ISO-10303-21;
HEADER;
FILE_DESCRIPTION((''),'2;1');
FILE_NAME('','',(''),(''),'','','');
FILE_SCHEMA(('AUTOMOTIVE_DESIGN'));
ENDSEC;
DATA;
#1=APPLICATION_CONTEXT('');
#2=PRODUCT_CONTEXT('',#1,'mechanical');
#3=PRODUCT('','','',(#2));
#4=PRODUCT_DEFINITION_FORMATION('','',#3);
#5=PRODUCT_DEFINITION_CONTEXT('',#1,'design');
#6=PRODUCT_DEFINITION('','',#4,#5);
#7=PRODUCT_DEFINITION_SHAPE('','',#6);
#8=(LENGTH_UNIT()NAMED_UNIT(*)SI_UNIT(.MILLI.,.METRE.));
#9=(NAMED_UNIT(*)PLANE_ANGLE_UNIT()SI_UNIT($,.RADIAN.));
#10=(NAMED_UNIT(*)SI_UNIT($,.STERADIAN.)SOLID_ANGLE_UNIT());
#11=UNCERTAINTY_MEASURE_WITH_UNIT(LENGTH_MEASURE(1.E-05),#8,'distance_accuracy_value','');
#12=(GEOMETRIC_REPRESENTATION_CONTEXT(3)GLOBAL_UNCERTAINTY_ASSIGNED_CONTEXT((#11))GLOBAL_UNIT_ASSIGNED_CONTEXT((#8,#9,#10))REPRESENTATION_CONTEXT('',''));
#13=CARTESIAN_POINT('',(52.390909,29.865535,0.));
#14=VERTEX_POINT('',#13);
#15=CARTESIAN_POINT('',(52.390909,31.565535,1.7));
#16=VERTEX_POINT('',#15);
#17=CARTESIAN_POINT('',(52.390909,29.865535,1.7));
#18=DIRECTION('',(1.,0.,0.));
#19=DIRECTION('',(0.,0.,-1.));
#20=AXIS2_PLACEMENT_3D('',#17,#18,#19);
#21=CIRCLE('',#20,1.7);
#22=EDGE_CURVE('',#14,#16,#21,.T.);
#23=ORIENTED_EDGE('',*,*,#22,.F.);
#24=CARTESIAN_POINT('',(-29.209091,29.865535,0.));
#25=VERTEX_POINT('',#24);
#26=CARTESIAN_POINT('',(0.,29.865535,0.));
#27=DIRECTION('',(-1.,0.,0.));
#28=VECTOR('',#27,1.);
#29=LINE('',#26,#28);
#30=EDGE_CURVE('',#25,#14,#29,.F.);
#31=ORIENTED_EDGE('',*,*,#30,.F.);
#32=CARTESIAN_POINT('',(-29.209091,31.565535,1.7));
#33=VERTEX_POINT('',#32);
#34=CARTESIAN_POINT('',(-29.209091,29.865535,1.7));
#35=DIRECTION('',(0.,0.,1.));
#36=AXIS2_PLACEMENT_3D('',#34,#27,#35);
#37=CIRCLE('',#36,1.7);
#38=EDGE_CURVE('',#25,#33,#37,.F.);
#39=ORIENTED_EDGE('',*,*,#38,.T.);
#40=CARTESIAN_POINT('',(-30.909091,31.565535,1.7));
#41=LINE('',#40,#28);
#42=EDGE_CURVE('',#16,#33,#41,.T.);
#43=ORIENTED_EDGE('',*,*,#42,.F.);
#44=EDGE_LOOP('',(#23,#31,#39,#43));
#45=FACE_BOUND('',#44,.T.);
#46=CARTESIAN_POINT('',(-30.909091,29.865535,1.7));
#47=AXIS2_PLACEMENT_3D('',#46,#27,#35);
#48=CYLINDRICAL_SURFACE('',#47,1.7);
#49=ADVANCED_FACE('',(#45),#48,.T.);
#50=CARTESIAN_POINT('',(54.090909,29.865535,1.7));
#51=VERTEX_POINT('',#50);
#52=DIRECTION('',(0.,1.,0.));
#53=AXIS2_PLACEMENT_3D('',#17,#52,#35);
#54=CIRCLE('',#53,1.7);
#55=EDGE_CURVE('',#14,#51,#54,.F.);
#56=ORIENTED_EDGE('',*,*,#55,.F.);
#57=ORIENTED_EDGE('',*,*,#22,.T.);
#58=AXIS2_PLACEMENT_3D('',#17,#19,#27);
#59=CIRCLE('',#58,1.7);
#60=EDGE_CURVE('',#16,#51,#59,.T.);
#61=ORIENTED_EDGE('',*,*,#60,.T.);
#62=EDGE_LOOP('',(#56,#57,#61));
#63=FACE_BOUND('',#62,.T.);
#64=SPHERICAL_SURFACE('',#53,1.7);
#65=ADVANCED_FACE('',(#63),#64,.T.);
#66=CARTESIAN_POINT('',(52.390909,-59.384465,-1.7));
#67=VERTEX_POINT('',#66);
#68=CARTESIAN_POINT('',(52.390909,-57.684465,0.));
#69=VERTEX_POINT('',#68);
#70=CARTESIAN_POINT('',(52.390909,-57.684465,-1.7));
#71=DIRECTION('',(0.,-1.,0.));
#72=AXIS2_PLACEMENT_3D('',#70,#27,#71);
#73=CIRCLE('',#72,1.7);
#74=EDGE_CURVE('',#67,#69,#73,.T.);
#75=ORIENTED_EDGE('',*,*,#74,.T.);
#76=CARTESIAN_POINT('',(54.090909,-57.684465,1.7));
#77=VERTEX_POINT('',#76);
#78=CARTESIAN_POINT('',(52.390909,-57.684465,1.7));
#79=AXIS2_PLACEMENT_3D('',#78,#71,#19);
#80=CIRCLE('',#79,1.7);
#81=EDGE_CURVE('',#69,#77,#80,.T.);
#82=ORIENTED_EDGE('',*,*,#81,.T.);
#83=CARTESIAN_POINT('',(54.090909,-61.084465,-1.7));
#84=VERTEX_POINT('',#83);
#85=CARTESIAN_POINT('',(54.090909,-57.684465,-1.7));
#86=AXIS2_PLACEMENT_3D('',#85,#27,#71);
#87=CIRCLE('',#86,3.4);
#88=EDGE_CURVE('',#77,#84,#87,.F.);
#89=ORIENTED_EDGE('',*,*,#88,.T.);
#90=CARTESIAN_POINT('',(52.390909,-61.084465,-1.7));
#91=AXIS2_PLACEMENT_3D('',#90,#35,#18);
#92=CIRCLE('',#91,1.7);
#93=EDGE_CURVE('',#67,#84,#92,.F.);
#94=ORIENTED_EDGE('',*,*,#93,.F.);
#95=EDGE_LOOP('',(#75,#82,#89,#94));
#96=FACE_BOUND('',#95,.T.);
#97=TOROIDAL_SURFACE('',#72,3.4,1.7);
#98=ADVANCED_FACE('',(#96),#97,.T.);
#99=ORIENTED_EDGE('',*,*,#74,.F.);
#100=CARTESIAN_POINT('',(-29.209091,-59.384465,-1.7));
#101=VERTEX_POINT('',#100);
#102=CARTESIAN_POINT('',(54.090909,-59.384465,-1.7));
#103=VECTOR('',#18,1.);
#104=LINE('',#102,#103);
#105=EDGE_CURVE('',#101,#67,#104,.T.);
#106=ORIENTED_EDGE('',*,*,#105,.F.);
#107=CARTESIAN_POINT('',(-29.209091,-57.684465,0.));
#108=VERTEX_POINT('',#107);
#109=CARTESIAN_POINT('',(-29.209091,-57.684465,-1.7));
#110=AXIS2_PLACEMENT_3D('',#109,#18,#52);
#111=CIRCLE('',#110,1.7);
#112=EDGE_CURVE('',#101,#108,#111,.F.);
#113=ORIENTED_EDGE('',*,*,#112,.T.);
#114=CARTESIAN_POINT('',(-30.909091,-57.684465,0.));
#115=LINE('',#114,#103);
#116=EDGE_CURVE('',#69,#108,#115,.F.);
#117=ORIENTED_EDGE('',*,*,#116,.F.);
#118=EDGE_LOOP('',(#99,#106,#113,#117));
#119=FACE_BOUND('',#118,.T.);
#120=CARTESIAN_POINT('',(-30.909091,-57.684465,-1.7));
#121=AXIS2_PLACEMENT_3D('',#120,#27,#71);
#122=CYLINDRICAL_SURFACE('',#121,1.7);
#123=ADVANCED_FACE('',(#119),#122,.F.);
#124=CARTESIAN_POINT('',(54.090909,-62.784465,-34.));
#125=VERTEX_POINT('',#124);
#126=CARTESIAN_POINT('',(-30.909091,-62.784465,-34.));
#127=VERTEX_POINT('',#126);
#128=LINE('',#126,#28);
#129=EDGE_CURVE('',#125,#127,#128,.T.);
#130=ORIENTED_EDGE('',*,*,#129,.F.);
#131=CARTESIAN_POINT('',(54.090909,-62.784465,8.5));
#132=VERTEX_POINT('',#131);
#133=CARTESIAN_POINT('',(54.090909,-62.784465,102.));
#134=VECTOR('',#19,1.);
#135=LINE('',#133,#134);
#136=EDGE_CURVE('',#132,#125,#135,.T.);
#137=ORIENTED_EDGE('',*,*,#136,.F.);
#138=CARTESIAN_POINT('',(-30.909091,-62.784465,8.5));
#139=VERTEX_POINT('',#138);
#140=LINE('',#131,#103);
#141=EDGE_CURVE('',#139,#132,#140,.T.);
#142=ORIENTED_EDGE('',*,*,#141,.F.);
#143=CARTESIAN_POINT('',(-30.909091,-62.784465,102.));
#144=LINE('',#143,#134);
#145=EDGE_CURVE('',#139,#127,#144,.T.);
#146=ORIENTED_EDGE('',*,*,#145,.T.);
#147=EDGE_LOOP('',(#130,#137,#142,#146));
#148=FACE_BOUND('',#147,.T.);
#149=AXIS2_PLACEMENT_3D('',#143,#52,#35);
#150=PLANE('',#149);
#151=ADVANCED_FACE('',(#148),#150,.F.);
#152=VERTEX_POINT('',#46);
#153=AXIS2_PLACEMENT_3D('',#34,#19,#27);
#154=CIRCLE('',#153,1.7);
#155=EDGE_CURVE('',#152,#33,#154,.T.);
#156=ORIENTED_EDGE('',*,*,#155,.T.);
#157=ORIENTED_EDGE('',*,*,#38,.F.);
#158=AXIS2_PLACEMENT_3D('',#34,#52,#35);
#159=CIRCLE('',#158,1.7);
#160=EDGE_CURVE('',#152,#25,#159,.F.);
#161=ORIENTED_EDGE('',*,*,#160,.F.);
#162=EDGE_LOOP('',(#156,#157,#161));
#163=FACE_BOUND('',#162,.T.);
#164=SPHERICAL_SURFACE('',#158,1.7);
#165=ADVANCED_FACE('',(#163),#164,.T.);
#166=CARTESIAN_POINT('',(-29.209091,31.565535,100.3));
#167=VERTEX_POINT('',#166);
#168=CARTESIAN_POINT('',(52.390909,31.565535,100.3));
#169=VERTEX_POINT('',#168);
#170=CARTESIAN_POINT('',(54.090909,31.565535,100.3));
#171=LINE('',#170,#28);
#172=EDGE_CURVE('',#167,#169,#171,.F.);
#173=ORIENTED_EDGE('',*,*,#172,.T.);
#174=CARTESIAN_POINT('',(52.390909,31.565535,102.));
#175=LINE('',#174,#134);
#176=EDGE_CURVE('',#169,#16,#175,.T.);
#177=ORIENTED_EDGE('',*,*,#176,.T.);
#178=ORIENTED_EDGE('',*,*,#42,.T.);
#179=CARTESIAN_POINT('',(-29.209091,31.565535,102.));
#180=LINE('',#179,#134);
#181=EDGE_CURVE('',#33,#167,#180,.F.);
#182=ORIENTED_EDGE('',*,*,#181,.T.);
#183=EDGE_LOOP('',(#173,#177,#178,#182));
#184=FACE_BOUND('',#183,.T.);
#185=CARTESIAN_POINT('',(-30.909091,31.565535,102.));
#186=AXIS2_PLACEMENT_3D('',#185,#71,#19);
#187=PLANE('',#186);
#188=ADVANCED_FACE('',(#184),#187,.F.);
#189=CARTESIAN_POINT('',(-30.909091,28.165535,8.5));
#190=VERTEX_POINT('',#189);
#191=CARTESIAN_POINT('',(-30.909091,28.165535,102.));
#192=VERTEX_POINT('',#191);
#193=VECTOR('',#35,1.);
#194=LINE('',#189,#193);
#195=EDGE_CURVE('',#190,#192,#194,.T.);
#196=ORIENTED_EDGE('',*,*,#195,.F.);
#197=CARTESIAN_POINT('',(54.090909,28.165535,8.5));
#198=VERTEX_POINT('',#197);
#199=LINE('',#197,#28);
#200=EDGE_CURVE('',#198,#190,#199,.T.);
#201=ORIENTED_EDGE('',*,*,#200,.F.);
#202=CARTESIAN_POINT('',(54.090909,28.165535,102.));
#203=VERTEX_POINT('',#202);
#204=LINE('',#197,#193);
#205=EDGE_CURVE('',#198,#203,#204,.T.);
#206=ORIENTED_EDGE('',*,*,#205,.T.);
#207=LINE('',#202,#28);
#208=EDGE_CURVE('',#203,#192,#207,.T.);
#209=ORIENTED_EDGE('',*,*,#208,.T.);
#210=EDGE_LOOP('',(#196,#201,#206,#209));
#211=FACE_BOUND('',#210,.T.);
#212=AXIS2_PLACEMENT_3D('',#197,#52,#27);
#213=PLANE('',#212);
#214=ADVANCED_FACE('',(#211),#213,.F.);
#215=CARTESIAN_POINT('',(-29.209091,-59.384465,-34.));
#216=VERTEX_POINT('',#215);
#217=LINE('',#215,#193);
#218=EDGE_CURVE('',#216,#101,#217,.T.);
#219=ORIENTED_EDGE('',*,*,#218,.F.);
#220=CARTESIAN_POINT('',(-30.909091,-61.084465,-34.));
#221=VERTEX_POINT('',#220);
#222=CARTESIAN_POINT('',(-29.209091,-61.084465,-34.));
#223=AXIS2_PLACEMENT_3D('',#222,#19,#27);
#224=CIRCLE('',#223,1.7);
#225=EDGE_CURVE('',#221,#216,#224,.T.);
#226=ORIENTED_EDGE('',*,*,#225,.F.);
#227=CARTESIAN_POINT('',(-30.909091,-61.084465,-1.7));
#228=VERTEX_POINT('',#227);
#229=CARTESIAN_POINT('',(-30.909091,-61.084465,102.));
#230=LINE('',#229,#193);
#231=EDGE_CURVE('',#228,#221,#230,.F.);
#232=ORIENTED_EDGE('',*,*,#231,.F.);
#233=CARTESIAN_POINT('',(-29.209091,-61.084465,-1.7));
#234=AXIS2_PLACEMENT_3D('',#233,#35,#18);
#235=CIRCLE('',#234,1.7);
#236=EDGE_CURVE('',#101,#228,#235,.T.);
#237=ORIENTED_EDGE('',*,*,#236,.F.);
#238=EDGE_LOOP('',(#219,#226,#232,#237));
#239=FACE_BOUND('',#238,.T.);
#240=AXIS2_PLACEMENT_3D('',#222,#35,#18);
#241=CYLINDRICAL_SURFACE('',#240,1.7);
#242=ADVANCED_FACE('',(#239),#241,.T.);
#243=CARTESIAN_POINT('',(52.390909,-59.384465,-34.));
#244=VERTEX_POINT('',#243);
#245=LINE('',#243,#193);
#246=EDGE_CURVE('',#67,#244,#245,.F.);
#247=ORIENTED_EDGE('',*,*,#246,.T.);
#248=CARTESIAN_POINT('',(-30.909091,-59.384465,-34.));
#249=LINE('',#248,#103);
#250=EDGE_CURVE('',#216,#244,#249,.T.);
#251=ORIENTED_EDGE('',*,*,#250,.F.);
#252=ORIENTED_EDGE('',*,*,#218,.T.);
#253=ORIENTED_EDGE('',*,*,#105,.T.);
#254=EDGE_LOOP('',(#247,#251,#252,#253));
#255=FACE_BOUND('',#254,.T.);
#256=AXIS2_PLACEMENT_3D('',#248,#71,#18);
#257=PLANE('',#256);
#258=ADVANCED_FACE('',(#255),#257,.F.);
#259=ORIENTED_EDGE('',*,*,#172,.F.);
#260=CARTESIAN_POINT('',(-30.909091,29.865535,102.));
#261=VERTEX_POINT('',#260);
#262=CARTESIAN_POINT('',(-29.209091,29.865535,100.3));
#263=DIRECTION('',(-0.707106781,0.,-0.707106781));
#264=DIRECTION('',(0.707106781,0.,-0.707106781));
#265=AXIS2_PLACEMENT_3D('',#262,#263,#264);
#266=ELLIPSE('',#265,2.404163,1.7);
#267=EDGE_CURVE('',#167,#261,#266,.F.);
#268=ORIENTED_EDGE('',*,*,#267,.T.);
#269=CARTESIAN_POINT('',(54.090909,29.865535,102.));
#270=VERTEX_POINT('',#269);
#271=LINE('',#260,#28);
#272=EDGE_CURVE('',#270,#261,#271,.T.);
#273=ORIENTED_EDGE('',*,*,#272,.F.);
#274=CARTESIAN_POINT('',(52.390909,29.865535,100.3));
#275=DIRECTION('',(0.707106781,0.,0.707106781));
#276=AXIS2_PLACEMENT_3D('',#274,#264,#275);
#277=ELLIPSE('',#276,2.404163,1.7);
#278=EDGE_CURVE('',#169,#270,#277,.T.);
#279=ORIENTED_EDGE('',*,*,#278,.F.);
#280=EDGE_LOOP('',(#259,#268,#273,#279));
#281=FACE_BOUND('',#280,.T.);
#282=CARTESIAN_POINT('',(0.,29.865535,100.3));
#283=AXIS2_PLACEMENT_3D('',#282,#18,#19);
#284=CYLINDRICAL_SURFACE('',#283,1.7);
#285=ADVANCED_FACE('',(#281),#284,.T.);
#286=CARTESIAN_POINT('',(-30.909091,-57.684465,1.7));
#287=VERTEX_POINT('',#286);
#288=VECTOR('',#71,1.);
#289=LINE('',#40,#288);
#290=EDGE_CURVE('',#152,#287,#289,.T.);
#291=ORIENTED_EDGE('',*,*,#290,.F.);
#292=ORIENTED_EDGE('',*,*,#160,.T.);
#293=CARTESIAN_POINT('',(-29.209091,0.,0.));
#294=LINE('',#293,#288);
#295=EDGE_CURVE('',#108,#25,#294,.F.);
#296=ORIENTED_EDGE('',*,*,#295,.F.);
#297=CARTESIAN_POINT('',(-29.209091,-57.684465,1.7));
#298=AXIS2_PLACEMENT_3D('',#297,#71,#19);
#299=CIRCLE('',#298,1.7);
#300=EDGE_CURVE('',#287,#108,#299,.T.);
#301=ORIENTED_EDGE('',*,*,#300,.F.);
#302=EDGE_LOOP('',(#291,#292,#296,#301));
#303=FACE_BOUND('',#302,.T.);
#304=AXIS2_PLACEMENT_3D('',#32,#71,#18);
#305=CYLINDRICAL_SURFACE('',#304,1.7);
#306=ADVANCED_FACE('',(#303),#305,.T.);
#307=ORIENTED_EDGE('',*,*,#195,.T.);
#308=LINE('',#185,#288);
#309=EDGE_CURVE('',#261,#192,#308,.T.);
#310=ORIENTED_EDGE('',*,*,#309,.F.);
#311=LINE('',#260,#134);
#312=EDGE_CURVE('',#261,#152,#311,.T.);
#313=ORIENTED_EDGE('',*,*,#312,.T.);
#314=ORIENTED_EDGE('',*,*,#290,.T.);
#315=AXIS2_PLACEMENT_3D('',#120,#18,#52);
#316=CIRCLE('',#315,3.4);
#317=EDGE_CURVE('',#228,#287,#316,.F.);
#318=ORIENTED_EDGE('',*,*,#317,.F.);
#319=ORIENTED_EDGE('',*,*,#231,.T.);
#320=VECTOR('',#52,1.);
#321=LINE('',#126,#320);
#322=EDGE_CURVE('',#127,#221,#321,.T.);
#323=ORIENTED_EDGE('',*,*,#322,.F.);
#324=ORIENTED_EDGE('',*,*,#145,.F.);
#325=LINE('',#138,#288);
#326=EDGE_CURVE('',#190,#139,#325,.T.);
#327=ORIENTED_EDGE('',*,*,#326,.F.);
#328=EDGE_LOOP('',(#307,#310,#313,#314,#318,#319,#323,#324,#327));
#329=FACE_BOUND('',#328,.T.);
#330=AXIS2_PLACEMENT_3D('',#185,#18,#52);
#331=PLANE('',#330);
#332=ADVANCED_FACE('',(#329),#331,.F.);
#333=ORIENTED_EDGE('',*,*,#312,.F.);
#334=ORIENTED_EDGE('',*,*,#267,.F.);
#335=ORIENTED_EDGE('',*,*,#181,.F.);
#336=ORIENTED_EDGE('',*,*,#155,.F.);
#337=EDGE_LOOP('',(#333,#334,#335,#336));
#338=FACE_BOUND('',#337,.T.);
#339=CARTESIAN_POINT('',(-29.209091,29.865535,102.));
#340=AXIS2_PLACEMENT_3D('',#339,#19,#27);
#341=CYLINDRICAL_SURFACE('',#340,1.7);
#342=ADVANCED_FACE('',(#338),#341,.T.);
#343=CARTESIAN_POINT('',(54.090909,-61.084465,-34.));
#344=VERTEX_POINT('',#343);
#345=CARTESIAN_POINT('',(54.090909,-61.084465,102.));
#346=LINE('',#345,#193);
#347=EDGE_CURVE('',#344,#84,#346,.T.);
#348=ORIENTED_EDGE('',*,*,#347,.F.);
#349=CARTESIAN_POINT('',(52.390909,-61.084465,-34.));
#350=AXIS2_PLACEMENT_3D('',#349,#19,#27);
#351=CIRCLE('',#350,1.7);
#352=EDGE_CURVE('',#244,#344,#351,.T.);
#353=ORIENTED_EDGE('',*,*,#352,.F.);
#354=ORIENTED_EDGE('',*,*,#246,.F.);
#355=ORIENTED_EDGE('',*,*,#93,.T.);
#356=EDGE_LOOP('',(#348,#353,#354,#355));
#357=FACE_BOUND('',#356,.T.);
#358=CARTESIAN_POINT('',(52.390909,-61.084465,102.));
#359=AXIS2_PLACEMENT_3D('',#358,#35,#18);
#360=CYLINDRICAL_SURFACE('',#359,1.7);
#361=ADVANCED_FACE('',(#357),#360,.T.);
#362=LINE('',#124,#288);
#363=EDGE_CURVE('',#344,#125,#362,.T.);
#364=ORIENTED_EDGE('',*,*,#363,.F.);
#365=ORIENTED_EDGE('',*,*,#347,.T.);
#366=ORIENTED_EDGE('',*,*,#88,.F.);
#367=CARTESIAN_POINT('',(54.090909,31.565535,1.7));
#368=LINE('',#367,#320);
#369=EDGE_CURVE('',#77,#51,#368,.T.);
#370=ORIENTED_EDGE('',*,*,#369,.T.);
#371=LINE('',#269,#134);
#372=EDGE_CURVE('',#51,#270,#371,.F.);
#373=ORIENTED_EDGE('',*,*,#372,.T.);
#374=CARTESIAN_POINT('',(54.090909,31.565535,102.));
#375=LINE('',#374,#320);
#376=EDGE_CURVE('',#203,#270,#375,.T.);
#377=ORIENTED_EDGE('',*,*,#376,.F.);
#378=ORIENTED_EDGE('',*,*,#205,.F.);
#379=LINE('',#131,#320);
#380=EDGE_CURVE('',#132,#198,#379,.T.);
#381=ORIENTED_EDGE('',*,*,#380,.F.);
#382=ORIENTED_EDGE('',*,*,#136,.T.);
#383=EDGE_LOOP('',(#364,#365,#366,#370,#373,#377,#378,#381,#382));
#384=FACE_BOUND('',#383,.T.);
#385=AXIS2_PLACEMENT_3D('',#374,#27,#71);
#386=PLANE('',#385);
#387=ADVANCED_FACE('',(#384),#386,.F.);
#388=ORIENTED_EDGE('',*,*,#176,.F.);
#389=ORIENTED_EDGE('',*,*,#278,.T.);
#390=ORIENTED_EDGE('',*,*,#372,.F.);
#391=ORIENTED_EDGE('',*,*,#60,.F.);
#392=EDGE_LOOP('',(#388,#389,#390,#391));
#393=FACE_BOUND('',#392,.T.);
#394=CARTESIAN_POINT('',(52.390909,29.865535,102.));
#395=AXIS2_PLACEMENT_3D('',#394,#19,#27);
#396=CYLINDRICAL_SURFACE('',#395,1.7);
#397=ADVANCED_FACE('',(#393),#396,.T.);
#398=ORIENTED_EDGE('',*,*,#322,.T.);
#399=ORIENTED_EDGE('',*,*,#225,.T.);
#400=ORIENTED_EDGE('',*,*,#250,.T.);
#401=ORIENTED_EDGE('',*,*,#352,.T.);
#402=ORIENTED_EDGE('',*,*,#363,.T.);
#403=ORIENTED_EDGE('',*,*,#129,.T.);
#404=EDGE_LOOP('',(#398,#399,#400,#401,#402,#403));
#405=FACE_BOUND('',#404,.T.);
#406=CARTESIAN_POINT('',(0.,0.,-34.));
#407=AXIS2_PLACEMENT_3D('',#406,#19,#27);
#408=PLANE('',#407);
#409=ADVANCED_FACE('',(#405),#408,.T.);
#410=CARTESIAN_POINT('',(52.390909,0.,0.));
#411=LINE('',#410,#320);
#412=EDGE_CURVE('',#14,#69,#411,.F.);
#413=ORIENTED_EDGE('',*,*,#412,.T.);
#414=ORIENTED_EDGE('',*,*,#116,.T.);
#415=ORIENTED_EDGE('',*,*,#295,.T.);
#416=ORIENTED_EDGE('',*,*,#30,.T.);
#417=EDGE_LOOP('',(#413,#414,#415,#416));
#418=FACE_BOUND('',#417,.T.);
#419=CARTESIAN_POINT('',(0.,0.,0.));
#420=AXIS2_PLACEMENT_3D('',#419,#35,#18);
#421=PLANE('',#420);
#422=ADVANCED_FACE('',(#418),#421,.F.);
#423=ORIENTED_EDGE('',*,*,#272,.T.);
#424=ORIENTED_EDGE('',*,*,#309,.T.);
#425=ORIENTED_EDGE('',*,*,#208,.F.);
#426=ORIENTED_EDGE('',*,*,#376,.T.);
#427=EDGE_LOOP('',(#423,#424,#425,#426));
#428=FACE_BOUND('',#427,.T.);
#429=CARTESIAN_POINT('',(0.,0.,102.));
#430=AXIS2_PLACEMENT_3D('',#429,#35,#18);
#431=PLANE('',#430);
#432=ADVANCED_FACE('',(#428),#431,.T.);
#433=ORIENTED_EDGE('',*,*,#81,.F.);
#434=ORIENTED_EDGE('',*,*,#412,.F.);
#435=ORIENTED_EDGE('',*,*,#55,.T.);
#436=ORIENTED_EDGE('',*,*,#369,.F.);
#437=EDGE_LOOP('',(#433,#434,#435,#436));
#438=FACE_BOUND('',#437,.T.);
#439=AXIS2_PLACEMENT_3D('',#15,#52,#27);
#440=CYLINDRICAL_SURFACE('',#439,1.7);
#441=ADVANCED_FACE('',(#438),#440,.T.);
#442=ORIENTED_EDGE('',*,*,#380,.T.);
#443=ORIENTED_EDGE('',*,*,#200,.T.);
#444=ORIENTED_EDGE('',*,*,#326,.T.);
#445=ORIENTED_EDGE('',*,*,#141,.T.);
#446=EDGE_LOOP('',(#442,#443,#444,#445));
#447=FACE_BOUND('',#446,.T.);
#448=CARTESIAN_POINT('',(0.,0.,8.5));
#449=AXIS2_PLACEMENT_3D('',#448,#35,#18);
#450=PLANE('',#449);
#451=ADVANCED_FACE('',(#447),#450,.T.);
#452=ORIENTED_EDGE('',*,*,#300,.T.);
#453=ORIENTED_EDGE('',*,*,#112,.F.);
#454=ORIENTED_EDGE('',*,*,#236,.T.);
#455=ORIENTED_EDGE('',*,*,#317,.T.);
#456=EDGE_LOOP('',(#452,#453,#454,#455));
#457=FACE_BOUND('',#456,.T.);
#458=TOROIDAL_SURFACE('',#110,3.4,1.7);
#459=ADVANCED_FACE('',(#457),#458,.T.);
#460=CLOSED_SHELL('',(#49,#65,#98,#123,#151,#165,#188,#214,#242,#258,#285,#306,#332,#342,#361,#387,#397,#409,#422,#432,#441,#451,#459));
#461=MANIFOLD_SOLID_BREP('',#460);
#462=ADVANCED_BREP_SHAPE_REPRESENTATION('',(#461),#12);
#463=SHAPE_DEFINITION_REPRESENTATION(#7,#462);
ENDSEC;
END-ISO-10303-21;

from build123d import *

# Parameters (mm, degrees)
SKETCH_1_W          = 50
SKETCH_1_H          = 55.5
EXTRUDE_1_DEPTH     = 60
SKETCH_3_W          = 50
SKETCH_3_H          = 53.5
CUT_EXTRUDE_1_DEPTH = 55
SKETCH_4_W          = 50
SKETCH_4_H          = 2
EXTRUDE_2_DEPTH     = 20
FILLET_5_R          = 1
SCALE_1_SCALE       = 1.7


with BuildPart() as part:
    # 草图1 → 凸台-拉伸1 (new body)
    with BuildSketch(Plane.XY):
        with Locations((6.818181818, -9.182037969)):
            Rectangle(SKETCH_1_W, SKETCH_1_H)
    extrude(amount=EXTRUDE_1_DEPTH)

    # 草图3 → 切除-拉伸1 (cut)
    with BuildSketch(Plane.XY.offset(60)):
        with Locations((6.818181818, -10.182037969)):
            Rectangle(SKETCH_3_W, SKETCH_3_H)
    extrude(amount=-CUT_EXTRUDE_1_DEPTH, mode=Mode.SUBTRACT)

    # 草图4 → 凸台-拉伸2 (add)
    with BuildSketch(Plane(origin=(0, 0, 0), x_dir=(-1, 0, 0), z_dir=(0, 0, -1))):
        with Locations((-6.818181818, -35.932037969)):
            Rectangle(SKETCH_4_W, SKETCH_4_H)
    extrude(amount=EXTRUDE_2_DEPTH)

    # 圆角5
    fillet_5_edges = [part.edges().sort_by_distance(p)[0] for p in [
        (6.818181818, 18.567962031, 60),
        (31.818181818, -8.182037969, 0),
        (6.818181818, -34.932037969, 0),
        (-18.181818182, -34.932037969, -10),
        (31.818181818, -34.932037969, -10),
        (6.818181818, 18.567962031, 0),
        (-18.181818182, -8.182037969, 0),
        (-18.181818182, 18.567962031, 30),
        (31.818181818, 18.567962031, 30),
    ]]
    fillet(fillet_5_edges, radius=FILLET_5_R)


with BuildPart() as part_1:
    # 缩放比例1: scaled about (0, 0, 0)
    add(part.part.scale(SCALE_1_SCALE))


solid = part_1.part
